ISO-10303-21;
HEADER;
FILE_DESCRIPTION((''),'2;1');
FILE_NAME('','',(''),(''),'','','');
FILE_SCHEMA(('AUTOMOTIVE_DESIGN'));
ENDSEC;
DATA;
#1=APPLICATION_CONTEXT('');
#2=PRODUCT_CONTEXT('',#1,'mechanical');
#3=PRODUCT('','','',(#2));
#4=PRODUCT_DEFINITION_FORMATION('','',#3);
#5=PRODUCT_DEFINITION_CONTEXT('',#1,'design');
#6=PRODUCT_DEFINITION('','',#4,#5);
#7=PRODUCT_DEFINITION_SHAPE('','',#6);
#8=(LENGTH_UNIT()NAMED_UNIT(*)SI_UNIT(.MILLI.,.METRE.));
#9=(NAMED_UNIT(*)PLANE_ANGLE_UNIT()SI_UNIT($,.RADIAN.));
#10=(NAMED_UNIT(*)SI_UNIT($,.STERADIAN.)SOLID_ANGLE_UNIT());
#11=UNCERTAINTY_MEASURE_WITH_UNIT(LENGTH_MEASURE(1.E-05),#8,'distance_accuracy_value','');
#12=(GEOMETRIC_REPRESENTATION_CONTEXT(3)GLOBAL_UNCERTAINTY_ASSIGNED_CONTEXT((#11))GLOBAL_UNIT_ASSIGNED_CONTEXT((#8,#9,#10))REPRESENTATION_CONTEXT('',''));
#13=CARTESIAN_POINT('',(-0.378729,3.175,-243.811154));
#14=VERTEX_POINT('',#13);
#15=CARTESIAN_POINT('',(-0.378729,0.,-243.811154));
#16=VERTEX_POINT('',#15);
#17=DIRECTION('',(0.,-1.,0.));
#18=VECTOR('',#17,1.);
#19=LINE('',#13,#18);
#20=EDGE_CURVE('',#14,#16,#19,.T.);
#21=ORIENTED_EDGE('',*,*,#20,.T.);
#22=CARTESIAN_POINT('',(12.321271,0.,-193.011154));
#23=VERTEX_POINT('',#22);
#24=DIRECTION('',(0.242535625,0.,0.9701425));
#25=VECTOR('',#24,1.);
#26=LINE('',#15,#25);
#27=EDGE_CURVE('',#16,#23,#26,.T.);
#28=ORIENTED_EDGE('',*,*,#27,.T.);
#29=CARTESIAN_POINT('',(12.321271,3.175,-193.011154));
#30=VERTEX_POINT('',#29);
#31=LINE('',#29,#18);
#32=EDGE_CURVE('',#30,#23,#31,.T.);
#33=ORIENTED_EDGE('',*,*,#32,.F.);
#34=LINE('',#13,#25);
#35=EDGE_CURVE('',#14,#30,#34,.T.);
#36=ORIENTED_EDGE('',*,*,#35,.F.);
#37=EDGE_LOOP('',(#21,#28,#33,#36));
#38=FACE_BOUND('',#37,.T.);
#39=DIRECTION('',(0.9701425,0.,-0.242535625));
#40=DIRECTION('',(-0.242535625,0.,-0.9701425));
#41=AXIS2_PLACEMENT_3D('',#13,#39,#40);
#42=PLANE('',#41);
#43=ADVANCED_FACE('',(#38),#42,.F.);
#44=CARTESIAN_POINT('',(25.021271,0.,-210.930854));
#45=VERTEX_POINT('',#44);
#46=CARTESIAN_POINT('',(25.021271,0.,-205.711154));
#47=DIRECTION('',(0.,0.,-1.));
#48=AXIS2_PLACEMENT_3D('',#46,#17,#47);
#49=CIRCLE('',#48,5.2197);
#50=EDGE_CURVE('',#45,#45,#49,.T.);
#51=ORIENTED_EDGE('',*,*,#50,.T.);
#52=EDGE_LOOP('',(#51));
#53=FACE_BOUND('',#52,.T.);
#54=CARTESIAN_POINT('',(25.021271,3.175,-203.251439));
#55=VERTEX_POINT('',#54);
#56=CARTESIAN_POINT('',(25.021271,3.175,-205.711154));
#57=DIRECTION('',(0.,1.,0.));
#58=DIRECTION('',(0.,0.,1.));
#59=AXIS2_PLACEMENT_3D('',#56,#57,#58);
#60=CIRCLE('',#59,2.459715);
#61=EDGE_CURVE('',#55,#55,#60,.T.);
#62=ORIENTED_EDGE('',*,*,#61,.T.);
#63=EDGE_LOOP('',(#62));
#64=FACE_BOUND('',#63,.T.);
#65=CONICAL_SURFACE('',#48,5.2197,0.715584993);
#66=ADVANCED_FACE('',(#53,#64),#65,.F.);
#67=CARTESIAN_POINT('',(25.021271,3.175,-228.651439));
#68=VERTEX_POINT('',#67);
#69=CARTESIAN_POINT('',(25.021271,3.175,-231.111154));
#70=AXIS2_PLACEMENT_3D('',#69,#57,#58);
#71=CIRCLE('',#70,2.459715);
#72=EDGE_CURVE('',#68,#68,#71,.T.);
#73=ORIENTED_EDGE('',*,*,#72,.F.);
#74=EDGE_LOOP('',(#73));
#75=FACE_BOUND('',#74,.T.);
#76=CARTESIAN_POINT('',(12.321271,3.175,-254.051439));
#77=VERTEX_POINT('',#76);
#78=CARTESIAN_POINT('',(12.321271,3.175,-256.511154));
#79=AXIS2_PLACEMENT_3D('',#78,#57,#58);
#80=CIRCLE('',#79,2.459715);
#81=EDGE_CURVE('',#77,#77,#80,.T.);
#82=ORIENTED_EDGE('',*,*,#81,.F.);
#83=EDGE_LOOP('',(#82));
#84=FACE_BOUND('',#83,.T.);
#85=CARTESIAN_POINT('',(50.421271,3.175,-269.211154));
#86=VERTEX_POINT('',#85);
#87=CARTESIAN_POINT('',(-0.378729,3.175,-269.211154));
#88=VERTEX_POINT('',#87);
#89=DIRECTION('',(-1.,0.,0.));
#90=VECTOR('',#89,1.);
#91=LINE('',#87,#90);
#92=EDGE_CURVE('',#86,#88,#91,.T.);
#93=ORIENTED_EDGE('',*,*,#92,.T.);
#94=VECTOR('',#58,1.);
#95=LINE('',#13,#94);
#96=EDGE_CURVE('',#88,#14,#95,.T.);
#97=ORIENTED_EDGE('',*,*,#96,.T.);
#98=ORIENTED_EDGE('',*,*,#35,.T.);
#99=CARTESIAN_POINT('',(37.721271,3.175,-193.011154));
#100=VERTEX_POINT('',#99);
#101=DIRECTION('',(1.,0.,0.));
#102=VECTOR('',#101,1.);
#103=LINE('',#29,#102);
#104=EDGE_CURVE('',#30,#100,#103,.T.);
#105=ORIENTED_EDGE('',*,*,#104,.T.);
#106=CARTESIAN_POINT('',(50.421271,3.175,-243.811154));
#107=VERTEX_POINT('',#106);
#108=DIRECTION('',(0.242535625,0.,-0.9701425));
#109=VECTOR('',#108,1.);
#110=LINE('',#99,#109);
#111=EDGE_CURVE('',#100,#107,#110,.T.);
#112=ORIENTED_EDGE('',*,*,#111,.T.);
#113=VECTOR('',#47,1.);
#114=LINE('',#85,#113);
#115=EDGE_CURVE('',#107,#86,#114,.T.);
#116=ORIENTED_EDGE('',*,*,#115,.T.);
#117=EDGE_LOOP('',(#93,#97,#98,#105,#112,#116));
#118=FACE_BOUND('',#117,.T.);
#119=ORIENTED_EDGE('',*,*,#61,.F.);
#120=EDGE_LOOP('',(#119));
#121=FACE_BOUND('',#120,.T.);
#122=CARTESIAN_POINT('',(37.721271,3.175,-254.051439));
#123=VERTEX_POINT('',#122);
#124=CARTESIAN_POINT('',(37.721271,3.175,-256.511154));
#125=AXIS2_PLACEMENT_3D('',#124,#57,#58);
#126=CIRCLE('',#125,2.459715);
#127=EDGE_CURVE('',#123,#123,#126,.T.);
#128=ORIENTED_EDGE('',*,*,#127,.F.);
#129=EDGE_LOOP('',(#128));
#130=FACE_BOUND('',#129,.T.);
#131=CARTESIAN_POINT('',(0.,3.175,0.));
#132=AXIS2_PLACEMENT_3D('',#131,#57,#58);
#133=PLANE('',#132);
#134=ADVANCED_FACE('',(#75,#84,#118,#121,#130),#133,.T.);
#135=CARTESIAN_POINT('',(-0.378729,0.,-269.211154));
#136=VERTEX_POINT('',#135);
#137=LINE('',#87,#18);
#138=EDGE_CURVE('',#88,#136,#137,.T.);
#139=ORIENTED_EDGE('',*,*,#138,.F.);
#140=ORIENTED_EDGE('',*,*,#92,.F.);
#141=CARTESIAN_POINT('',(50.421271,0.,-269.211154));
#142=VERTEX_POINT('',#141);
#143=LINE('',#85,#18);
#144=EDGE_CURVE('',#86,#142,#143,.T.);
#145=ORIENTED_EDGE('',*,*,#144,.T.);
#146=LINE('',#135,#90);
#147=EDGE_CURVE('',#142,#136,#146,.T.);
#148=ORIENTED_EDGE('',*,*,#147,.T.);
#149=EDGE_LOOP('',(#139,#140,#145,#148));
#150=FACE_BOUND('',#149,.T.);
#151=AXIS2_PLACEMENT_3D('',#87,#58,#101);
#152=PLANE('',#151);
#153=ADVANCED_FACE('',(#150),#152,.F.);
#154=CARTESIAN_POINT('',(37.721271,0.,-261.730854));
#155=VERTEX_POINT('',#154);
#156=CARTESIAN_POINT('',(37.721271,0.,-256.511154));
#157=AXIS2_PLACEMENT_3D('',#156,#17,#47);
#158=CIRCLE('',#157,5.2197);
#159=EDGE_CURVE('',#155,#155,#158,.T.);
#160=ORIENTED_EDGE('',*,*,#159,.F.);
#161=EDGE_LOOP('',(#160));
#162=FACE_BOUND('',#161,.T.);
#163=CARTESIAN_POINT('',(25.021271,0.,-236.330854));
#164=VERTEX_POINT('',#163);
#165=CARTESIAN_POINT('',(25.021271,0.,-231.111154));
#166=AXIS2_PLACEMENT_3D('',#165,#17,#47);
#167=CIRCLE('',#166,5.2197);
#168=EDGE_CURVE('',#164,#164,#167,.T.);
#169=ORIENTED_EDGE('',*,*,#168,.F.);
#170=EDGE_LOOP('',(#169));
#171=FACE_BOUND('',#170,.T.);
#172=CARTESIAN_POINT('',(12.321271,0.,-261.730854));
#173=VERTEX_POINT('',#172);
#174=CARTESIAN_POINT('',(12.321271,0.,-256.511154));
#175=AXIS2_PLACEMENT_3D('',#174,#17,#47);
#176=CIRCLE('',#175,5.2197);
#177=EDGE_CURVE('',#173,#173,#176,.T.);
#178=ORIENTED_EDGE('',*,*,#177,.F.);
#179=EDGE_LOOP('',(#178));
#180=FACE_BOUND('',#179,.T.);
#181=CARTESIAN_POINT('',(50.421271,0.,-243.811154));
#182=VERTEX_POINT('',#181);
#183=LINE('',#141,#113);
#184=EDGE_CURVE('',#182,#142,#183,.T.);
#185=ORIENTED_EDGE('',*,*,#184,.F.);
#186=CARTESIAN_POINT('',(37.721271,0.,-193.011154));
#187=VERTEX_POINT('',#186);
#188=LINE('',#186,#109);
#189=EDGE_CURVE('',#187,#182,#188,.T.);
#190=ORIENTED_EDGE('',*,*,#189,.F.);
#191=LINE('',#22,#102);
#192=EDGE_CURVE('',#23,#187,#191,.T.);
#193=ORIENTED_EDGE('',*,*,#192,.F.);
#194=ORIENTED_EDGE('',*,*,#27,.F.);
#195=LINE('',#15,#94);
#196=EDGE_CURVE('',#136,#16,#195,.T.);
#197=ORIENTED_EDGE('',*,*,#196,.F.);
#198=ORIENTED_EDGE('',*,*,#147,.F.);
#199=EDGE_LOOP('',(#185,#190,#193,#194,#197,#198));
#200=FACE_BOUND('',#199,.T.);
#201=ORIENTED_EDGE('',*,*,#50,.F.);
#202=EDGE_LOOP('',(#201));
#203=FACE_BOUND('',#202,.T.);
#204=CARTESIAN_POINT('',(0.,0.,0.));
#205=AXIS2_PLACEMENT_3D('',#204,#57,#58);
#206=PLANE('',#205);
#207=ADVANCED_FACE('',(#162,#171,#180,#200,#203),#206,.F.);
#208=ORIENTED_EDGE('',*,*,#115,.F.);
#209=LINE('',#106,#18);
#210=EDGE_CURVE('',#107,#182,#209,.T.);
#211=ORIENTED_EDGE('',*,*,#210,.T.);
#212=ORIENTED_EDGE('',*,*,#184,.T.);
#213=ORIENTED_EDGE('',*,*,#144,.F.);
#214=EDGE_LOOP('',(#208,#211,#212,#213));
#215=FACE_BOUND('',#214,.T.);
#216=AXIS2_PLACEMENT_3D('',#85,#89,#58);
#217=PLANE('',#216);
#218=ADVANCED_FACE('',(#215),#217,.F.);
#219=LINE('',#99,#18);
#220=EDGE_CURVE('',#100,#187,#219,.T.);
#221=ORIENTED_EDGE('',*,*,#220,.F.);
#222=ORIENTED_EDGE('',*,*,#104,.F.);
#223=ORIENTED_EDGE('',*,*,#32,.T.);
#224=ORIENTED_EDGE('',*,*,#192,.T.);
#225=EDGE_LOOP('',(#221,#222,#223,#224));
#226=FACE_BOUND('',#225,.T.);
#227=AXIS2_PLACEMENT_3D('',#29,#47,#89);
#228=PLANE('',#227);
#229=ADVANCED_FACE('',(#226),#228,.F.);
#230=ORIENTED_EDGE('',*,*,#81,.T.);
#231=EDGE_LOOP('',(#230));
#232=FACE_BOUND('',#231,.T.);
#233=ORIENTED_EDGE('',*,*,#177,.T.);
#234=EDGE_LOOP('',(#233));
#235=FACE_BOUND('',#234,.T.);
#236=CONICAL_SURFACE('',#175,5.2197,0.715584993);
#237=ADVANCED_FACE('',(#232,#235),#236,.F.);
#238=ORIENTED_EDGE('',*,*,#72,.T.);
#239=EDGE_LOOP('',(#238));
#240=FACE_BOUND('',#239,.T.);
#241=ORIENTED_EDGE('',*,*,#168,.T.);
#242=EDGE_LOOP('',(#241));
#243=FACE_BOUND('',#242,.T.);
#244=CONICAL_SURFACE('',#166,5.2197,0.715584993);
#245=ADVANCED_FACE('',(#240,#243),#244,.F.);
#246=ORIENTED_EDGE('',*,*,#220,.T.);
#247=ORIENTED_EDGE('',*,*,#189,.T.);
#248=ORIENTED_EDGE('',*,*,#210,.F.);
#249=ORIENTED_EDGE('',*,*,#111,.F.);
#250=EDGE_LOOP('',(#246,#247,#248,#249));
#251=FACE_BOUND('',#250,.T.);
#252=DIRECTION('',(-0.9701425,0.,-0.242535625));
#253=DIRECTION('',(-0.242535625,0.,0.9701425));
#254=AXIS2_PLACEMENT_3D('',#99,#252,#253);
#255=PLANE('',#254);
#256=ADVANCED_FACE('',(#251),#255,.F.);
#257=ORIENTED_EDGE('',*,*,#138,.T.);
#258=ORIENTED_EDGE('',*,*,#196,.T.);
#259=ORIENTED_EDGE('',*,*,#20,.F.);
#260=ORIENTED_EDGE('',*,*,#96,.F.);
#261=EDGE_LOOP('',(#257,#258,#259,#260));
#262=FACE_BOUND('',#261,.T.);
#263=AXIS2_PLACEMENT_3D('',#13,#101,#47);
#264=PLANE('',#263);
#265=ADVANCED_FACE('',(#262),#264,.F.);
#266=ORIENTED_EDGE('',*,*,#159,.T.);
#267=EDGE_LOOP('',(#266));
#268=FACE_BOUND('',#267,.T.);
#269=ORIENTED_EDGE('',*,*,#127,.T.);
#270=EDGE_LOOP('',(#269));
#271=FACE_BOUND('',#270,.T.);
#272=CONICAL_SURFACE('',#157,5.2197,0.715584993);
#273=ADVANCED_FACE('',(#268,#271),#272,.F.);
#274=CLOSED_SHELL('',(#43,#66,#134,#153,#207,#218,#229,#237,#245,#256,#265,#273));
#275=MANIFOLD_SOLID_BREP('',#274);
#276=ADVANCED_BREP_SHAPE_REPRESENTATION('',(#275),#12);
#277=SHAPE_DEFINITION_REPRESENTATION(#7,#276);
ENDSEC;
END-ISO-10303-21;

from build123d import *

# Parameters (mm, degrees)
BOSS_EXTRUDE1_DEPTH                   = 3.175
F_10_0_1935_DIAMETER_HOLE1_AT_2_COUNT = 2
F_10_0_1935_DIAMETER_HOLE1_AT_2_PITCH = 25.4
F_10_0_1935_DIAMETER_HOLE1_AT_3_COUNT = 2
F_10_0_1935_DIAMETER_HOLE1_AT_3_PITCH = 28.398063314
F_10_0_1935_DIAMETER_HOLE1_AT_4_COUNT = 2
F_10_0_1935_DIAMETER_HOLE1_AT_4_PITCH = 52.363441445


with BuildPart() as part:
    # Sketch2 → Boss-Extrude1 (new body)
    with BuildSketch(Plane(origin=(0, 0, 0), x_dir=(1, 0, 0), z_dir=(0, 1, 0))):
        Polygon((-0.378728756, 269.21115375), (50.421271244, 269.21115375), (50.421271244, 243.81115375), (37.721271244, 193.01115375), (12.321271244, 193.01115375), (-0.378728756, 243.81115375), align=None)
    extrude(amount=BOSS_EXTRUDE1_DEPTH)

    # Sketch7 → #10 (0.1935) Diameter Hole1 (revolve, cut)
    with BuildSketch(Plane(origin=(37.721271244, 0, -256.51115375), x_dir=(0, 0, -1), z_dir=(1, 0, 0))):
        Polygon((0, 0), (0, 3.175), (2.45745, 3.175), (2.45745, 3.177605133), (5.2197, 0), align=None)
    f_10_0_1935_diameter_hole1 = revolve(axis=Axis((37.721271244, -6.35, -256.51115375), (0, 1, 0)), mode=Mode.SUBTRACT)

    # #10 (0.1935) Diameter Hole1 at 2: #10 (0.1935) Diameter Hole1 ×2
    with Locations(*[(-i * F_10_0_1935_DIAMETER_HOLE1_AT_2_PITCH, 0, 0) for i in range(1, F_10_0_1935_DIAMETER_HOLE1_AT_2_COUNT)]):
        add(f_10_0_1935_diameter_hole1, mode=Mode.SUBTRACT)

    # #10 (0.1935) Diameter Hole1 at 3: #10 (0.1935) Diameter Hole1 ×2
    with Locations(*[Vector(-0.44721359549995443, 0, 0.8944271909999176) * (i * F_10_0_1935_DIAMETER_HOLE1_AT_3_PITCH) for i in range(1, F_10_0_1935_DIAMETER_HOLE1_AT_3_COUNT)]):
        add(f_10_0_1935_diameter_hole1, mode=Mode.SUBTRACT)

    # #10 (0.1935) Diameter Hole1 at 4: #10 (0.1935) Diameter Hole1 ×2
    with Locations(*[Vector(-0.24253562503633175, 0, 0.9701425001453322) * (i * F_10_0_1935_DIAMETER_HOLE1_AT_4_PITCH) for i in range(1, F_10_0_1935_DIAMETER_HOLE1_AT_4_COUNT)]):
        add(f_10_0_1935_diameter_hole1, mode=Mode.SUBTRACT)


solid = part.part
